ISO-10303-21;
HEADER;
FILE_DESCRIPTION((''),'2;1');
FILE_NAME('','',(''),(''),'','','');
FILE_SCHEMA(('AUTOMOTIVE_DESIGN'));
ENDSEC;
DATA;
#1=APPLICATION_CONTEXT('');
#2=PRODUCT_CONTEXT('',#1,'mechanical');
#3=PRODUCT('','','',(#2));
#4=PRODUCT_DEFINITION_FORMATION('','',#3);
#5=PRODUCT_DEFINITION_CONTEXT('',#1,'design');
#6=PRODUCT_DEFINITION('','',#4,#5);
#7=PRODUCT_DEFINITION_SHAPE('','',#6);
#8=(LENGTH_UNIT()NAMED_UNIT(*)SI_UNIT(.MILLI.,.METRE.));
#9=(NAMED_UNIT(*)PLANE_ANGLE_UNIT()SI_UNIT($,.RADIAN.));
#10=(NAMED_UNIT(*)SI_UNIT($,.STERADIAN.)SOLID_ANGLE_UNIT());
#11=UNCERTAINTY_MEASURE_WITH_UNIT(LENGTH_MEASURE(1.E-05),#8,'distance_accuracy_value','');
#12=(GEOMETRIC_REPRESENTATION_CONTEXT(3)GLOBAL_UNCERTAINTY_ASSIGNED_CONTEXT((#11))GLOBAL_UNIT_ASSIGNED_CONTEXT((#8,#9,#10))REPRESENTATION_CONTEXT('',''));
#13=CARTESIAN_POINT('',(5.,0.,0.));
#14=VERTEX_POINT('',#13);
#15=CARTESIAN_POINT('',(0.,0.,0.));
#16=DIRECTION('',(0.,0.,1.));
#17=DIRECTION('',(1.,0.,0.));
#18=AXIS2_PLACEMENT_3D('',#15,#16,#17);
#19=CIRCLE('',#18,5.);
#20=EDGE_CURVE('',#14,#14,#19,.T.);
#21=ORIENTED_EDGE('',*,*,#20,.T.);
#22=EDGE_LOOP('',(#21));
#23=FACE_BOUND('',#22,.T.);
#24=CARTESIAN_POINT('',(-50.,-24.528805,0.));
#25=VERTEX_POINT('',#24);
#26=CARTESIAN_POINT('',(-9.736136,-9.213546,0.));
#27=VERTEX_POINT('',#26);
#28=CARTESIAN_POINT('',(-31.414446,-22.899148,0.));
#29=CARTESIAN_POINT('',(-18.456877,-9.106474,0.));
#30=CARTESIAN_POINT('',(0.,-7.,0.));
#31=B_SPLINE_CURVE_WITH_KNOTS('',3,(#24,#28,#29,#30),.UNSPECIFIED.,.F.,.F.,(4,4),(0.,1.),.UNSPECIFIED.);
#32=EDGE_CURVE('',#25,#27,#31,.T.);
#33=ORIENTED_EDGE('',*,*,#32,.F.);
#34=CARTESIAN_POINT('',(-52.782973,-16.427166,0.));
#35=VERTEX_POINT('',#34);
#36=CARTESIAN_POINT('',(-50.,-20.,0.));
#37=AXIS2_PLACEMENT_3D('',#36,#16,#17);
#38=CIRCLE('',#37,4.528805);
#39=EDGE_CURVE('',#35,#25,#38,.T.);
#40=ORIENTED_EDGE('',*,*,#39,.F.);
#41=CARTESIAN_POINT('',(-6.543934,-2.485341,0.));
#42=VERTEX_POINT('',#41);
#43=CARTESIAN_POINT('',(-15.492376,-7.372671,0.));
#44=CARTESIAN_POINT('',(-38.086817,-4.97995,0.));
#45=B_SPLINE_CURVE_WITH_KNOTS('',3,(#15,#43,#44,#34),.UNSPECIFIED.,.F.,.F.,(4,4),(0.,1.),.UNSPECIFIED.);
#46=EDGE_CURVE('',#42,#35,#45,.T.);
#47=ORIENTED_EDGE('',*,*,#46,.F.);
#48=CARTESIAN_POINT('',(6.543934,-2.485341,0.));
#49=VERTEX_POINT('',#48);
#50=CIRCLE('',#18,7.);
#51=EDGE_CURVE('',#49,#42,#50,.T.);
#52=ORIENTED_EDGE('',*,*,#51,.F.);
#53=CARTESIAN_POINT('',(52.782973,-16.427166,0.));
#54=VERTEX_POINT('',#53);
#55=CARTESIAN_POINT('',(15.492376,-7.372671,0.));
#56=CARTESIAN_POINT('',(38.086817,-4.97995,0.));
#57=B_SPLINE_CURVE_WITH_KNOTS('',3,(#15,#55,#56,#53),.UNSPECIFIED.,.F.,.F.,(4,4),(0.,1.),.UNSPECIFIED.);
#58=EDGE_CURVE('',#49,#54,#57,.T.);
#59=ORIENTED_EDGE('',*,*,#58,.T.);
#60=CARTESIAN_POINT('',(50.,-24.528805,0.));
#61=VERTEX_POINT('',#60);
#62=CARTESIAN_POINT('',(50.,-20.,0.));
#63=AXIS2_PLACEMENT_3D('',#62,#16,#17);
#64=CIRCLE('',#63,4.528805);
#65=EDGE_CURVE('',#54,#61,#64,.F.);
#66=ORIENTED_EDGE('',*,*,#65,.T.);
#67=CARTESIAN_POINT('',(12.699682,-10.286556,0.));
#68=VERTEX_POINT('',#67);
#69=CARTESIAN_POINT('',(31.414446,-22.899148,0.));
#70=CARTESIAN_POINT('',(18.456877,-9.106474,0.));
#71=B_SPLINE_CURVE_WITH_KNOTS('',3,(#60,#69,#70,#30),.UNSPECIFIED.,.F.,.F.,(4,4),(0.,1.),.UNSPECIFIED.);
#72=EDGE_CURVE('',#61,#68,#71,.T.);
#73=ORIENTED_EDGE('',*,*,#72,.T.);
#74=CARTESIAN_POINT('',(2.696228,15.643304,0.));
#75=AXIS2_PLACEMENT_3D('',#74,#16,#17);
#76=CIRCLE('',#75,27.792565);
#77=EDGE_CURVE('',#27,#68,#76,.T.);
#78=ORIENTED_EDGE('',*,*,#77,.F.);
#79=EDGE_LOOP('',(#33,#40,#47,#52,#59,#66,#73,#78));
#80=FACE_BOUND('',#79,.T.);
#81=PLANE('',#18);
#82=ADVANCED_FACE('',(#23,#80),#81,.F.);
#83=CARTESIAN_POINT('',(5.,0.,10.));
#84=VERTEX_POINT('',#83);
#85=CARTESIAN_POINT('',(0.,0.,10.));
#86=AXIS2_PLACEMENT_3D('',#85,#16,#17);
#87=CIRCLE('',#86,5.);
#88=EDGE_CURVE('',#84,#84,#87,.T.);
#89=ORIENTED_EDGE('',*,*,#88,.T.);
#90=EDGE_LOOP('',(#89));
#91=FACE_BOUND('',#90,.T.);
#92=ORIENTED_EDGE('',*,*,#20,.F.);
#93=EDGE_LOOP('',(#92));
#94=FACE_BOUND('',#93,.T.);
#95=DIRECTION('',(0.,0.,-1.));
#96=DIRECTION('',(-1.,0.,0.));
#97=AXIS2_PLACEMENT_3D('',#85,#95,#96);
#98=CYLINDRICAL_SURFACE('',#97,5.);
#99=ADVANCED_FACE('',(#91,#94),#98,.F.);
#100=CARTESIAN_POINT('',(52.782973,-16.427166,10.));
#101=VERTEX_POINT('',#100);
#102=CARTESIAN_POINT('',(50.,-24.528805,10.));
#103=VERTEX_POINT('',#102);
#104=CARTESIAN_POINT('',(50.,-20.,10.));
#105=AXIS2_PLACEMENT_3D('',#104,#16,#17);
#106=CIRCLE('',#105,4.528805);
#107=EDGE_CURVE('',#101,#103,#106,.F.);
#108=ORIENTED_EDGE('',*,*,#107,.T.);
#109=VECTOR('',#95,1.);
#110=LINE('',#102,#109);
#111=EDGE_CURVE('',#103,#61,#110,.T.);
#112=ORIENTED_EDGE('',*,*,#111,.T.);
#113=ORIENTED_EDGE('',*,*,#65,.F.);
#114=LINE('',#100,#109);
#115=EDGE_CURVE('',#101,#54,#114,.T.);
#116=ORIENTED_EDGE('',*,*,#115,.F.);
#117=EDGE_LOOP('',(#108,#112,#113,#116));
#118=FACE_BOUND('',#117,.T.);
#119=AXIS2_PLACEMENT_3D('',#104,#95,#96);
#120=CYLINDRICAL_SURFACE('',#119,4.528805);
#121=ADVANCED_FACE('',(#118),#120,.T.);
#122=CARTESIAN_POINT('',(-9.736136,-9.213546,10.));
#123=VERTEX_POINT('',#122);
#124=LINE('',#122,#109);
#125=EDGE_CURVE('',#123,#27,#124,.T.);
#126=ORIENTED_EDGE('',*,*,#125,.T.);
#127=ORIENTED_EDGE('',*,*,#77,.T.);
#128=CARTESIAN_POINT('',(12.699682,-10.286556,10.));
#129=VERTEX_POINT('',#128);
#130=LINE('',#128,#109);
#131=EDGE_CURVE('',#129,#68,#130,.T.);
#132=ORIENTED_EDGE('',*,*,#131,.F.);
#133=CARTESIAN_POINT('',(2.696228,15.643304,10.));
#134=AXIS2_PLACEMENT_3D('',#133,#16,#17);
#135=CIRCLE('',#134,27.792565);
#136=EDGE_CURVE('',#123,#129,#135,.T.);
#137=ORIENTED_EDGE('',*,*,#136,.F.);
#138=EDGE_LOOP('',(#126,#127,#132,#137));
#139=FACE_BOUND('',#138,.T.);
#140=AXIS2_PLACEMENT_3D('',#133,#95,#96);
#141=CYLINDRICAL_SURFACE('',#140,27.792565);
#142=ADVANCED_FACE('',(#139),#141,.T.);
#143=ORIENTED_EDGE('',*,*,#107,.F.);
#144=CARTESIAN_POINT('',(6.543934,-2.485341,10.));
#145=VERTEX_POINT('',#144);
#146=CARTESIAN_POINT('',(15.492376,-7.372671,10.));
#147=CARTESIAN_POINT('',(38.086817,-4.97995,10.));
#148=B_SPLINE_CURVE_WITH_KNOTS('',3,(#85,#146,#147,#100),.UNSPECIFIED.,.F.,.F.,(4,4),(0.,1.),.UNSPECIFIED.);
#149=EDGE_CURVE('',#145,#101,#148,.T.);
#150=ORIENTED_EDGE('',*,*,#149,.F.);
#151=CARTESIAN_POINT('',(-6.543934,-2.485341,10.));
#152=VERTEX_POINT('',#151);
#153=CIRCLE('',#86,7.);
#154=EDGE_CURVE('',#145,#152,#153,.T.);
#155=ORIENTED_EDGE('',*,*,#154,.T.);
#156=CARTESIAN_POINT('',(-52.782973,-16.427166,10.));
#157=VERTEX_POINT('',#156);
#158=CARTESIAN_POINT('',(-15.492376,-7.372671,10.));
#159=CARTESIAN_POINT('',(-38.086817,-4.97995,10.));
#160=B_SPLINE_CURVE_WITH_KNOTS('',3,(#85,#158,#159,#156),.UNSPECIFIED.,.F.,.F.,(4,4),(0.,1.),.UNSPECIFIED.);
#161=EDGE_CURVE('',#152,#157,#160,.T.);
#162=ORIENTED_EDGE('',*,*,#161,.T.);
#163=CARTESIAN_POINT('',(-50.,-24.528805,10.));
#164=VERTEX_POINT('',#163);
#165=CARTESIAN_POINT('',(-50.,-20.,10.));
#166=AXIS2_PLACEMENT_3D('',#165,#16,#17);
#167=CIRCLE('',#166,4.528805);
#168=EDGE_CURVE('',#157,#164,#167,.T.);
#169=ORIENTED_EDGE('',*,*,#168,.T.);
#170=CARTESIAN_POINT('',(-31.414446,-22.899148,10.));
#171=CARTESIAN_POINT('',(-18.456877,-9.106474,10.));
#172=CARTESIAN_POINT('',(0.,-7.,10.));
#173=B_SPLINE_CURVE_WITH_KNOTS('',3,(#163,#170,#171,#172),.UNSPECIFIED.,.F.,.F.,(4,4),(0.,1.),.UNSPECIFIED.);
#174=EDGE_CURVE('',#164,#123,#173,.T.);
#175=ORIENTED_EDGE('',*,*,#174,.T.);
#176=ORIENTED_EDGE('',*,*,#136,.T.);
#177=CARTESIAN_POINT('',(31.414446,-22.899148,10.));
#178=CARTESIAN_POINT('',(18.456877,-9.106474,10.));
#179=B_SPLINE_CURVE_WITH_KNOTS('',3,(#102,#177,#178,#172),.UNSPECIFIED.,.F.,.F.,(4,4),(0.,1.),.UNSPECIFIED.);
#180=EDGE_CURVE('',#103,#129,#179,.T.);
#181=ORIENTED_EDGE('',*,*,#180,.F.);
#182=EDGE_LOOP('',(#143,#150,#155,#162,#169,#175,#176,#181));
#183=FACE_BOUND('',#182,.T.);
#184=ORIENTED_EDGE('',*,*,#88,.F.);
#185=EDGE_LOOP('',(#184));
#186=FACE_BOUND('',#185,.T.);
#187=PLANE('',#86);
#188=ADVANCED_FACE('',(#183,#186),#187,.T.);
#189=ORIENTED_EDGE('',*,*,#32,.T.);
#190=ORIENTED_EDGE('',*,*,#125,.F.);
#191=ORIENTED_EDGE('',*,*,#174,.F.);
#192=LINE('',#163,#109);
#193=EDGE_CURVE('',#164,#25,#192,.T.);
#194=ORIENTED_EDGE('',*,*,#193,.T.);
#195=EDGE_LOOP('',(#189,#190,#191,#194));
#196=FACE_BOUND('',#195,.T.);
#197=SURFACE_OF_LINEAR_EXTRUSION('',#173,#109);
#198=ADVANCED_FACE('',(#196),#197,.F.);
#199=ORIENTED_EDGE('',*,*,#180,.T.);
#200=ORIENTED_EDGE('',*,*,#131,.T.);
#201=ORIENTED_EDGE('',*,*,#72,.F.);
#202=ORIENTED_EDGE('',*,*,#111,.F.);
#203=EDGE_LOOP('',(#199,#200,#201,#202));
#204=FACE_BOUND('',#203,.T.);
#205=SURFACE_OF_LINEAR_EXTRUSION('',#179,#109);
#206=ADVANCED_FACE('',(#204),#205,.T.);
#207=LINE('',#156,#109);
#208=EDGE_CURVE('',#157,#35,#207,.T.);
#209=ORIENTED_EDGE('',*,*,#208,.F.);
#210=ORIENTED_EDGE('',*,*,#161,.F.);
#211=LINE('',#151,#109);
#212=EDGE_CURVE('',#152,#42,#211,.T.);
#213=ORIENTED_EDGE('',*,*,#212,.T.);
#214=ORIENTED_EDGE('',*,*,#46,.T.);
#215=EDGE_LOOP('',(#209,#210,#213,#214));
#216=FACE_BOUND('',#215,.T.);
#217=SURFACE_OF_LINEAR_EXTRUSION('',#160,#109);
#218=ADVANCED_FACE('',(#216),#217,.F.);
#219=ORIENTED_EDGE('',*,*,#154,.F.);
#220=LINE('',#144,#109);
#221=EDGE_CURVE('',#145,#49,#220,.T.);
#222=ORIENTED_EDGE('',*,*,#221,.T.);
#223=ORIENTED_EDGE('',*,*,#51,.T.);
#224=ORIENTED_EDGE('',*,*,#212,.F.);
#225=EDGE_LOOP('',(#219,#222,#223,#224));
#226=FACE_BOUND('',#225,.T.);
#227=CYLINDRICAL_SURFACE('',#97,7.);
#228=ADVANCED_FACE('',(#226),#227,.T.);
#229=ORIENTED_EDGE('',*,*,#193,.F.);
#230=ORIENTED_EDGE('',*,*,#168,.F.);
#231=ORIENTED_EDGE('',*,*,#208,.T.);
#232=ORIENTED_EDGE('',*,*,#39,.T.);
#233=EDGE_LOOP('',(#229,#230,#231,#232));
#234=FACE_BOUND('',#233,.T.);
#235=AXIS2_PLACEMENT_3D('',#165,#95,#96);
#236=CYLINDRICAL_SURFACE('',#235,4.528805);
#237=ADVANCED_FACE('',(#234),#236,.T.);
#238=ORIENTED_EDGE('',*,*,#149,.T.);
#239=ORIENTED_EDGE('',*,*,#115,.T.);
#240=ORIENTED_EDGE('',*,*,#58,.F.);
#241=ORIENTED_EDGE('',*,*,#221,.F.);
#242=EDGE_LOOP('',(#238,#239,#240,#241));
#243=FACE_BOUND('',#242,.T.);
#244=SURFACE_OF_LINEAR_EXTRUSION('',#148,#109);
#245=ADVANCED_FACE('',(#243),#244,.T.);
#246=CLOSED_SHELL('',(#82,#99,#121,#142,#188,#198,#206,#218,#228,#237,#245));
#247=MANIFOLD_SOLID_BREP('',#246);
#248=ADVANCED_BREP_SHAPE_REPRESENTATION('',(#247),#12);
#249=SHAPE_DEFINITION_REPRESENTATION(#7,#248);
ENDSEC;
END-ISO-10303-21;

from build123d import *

# Parameters (mm, degrees)
SKETCH1_R           = 5
BOSS_EXTRUDE2_DEPTH = 10


with BuildPart() as part:
    # Sketch1 → Boss-Extrude2 (new body)
    with BuildSketch(Plane.XY):
        with BuildLine():
            ThreePointArc((6.543934444, -2.485341424), (0, 7), (-6.543934444, -2.485341424))
            add(Edge.make_bspline(
                [(-6.543934444, -2.485341424), (-21.380303677, -6.980575662), (-40.047381701, -6.507084717), (-52.782972627, -16.427166435)],
                knots=[0.13340661, 0.13340661, 0.13340661, 0.13340661, 1, 1, 1, 1], degree=3))
            ThreePointArc((-52.782972627, -16.427166435), (-54.283149744, -21.471293509), (-50, -24.528805176))
            add(Edge.make_bspline(
                [(-50, -24.528805176), (-34.847891341, -23.200206491), (-23.436440722, -13.787418989), (-9.736135771, -9.213546422)],
                knots=[0, 0, 0, 0, 0.815262705, 0.815262705, 0.815262705, 0.815262705], degree=3))
            ThreePointArc((-9.736135771, -9.213546422), (1.368546444, -12.117530865), (12.699681517, -10.28655552))
            add(Edge.make_bspline(
                [(12.699681517, -10.28655552), (25.120949587, -15.117475017), (35.953024702, -23.297109091), (50, -24.528805176)],
                knots=[1, 1, 1, 1, 1.755800749, 1.755800749, 1.755800749, 1.755800749], degree=3))
            ThreePointArc((50, -24.528805176), (54.283149744, -21.471293509), (52.782972627, -16.427166435))
            add(Edge.make_bspline(
                [(6.543934444, -2.485341424), (21.380303677, -6.980575662), (40.047381701, -6.507084717), (52.782972627, -16.427166435)],
                knots=[0.13340661, 0.13340661, 0.13340661, 0.13340661, 1, 1, 1, 1], degree=3))
        make_face()
        Circle(SKETCH1_R, mode=Mode.SUBTRACT)
    extrude(amount=BOSS_EXTRUDE2_DEPTH)


solid = part.part
